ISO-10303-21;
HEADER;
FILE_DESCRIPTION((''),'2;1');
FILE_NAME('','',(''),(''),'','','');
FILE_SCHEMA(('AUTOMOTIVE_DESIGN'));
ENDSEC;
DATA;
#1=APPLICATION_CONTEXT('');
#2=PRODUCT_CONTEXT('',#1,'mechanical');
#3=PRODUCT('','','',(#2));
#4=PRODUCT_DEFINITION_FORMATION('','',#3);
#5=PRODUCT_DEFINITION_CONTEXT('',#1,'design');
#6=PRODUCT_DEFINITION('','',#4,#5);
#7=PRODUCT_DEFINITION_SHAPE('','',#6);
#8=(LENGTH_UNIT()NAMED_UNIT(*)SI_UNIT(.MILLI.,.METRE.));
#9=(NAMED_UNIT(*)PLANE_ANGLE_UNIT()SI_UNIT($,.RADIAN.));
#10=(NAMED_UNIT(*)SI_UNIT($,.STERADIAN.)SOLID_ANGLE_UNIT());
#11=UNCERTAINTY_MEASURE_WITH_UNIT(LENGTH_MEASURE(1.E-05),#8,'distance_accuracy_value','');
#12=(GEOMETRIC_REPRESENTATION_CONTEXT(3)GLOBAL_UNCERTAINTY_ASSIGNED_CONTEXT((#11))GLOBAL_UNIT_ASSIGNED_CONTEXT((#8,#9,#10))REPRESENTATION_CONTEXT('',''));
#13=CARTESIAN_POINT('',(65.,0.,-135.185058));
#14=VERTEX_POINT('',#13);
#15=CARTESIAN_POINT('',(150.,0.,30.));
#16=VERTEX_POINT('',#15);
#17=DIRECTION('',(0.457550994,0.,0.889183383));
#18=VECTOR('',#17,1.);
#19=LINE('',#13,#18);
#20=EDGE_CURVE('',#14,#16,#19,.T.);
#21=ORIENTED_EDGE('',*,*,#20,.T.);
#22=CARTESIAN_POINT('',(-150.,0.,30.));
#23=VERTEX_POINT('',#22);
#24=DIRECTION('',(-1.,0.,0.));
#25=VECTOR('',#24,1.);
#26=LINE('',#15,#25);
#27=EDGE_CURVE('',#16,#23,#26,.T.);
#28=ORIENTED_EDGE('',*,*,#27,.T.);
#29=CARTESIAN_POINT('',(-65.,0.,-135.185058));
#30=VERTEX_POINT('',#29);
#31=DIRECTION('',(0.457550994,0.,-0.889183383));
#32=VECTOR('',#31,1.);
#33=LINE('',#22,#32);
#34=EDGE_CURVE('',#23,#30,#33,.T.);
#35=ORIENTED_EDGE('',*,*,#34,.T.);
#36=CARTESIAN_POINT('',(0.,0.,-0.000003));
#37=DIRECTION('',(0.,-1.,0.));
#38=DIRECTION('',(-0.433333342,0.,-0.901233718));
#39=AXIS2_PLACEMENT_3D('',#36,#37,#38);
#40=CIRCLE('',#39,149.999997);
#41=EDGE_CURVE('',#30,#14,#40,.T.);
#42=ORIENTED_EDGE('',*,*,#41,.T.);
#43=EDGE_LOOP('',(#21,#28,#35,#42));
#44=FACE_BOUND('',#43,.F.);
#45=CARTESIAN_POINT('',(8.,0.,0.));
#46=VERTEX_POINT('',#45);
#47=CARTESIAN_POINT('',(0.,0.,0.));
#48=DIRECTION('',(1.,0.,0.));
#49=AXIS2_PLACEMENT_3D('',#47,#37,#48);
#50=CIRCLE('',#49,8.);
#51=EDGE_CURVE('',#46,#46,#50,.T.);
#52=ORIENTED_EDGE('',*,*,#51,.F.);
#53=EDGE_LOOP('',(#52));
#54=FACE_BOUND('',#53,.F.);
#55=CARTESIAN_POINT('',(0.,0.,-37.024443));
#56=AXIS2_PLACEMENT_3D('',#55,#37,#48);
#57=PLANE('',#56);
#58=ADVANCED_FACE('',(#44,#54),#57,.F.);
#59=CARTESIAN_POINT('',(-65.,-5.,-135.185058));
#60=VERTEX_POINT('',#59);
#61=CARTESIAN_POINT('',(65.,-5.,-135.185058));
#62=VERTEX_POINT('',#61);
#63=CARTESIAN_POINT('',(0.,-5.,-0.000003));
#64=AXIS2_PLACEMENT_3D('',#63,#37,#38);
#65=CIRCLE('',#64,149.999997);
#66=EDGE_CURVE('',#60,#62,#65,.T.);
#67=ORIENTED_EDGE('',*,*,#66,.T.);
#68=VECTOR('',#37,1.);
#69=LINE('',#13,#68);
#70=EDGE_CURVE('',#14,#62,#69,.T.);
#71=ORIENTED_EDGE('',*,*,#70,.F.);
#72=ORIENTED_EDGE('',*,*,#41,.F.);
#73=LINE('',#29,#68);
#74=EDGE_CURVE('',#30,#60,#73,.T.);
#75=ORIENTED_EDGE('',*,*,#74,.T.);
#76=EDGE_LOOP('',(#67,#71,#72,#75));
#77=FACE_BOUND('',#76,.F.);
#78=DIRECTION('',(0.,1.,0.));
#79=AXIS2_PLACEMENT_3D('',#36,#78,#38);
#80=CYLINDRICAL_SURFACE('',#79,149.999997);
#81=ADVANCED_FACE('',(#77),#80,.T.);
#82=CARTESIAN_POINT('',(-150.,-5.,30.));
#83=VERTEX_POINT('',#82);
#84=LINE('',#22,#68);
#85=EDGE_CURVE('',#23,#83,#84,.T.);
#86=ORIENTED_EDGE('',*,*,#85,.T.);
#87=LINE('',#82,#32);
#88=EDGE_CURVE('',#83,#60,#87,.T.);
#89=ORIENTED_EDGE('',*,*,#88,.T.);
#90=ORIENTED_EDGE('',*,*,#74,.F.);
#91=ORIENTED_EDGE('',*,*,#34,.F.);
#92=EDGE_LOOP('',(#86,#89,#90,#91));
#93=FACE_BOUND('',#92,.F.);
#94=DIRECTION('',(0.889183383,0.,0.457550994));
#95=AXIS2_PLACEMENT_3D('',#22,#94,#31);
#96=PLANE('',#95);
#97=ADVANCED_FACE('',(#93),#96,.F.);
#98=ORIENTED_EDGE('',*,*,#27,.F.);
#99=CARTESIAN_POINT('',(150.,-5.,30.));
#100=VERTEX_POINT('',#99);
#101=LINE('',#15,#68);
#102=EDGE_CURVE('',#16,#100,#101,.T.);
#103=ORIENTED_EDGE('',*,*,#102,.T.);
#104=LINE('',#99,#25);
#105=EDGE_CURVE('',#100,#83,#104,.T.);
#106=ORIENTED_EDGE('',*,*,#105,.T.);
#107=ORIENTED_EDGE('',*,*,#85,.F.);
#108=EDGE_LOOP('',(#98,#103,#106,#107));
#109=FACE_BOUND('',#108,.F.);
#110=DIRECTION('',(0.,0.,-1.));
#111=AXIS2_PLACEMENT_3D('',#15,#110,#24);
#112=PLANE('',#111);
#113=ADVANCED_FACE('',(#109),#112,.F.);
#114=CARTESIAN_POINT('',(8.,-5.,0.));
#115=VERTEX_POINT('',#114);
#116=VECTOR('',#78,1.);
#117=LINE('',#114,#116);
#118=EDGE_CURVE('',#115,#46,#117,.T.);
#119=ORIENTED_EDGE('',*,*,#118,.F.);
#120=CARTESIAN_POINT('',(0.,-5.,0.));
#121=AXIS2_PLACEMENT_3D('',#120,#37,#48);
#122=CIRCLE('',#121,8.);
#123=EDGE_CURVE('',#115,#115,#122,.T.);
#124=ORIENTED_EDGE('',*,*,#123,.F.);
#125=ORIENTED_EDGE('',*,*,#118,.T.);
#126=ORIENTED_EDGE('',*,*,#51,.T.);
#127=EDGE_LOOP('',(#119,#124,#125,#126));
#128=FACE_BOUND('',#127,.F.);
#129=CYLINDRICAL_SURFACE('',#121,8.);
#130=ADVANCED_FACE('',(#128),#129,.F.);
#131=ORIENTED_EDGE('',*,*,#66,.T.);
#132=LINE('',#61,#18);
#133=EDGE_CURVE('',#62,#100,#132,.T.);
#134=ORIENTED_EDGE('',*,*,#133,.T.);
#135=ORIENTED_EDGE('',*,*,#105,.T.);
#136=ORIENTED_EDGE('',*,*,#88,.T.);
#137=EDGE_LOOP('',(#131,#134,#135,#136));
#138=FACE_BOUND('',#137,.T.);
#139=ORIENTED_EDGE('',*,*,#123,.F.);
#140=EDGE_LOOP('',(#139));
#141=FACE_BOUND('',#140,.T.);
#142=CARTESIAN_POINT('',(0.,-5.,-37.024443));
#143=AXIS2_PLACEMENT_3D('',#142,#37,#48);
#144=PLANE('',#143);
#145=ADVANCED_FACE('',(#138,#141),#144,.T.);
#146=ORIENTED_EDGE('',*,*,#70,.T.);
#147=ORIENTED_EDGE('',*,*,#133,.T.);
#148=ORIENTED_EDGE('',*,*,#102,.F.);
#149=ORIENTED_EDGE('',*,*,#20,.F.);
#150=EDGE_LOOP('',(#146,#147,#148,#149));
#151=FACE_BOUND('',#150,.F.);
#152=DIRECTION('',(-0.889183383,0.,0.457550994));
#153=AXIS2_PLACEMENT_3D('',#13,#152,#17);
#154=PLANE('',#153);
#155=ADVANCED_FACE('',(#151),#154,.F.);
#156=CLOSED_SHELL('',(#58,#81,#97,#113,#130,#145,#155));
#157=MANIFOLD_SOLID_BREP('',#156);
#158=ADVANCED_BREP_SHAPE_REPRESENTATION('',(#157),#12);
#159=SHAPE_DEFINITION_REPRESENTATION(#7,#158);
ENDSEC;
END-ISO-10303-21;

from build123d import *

# Parameters (mm, degrees)
F1_DEPTH = 5
F2_R     = 8
F3_DEPTH = 5.001


with BuildPart() as f1:
    # F0 (on Front) → F1 (new body)
    with BuildSketch(Plane.XZ):
        with BuildLine():
            Line((-150, 30), (-65, -135.185058))
            ThreePointArc((-65, -135.185058), (0, -150), (65, -135.185058))
            Line((65, -135.185058), (150, 30))
            Line((150, 30), (-150, 30))
        make_face()
    extrude(amount=F1_DEPTH)

    # F2 (on face) → F3 (cut, through all)
    with BuildSketch(Plane.XZ.offset(5)):
        Circle(F2_R)
    extrude(amount=-F3_DEPTH, mode=Mode.SUBTRACT)


solid = f1.part
